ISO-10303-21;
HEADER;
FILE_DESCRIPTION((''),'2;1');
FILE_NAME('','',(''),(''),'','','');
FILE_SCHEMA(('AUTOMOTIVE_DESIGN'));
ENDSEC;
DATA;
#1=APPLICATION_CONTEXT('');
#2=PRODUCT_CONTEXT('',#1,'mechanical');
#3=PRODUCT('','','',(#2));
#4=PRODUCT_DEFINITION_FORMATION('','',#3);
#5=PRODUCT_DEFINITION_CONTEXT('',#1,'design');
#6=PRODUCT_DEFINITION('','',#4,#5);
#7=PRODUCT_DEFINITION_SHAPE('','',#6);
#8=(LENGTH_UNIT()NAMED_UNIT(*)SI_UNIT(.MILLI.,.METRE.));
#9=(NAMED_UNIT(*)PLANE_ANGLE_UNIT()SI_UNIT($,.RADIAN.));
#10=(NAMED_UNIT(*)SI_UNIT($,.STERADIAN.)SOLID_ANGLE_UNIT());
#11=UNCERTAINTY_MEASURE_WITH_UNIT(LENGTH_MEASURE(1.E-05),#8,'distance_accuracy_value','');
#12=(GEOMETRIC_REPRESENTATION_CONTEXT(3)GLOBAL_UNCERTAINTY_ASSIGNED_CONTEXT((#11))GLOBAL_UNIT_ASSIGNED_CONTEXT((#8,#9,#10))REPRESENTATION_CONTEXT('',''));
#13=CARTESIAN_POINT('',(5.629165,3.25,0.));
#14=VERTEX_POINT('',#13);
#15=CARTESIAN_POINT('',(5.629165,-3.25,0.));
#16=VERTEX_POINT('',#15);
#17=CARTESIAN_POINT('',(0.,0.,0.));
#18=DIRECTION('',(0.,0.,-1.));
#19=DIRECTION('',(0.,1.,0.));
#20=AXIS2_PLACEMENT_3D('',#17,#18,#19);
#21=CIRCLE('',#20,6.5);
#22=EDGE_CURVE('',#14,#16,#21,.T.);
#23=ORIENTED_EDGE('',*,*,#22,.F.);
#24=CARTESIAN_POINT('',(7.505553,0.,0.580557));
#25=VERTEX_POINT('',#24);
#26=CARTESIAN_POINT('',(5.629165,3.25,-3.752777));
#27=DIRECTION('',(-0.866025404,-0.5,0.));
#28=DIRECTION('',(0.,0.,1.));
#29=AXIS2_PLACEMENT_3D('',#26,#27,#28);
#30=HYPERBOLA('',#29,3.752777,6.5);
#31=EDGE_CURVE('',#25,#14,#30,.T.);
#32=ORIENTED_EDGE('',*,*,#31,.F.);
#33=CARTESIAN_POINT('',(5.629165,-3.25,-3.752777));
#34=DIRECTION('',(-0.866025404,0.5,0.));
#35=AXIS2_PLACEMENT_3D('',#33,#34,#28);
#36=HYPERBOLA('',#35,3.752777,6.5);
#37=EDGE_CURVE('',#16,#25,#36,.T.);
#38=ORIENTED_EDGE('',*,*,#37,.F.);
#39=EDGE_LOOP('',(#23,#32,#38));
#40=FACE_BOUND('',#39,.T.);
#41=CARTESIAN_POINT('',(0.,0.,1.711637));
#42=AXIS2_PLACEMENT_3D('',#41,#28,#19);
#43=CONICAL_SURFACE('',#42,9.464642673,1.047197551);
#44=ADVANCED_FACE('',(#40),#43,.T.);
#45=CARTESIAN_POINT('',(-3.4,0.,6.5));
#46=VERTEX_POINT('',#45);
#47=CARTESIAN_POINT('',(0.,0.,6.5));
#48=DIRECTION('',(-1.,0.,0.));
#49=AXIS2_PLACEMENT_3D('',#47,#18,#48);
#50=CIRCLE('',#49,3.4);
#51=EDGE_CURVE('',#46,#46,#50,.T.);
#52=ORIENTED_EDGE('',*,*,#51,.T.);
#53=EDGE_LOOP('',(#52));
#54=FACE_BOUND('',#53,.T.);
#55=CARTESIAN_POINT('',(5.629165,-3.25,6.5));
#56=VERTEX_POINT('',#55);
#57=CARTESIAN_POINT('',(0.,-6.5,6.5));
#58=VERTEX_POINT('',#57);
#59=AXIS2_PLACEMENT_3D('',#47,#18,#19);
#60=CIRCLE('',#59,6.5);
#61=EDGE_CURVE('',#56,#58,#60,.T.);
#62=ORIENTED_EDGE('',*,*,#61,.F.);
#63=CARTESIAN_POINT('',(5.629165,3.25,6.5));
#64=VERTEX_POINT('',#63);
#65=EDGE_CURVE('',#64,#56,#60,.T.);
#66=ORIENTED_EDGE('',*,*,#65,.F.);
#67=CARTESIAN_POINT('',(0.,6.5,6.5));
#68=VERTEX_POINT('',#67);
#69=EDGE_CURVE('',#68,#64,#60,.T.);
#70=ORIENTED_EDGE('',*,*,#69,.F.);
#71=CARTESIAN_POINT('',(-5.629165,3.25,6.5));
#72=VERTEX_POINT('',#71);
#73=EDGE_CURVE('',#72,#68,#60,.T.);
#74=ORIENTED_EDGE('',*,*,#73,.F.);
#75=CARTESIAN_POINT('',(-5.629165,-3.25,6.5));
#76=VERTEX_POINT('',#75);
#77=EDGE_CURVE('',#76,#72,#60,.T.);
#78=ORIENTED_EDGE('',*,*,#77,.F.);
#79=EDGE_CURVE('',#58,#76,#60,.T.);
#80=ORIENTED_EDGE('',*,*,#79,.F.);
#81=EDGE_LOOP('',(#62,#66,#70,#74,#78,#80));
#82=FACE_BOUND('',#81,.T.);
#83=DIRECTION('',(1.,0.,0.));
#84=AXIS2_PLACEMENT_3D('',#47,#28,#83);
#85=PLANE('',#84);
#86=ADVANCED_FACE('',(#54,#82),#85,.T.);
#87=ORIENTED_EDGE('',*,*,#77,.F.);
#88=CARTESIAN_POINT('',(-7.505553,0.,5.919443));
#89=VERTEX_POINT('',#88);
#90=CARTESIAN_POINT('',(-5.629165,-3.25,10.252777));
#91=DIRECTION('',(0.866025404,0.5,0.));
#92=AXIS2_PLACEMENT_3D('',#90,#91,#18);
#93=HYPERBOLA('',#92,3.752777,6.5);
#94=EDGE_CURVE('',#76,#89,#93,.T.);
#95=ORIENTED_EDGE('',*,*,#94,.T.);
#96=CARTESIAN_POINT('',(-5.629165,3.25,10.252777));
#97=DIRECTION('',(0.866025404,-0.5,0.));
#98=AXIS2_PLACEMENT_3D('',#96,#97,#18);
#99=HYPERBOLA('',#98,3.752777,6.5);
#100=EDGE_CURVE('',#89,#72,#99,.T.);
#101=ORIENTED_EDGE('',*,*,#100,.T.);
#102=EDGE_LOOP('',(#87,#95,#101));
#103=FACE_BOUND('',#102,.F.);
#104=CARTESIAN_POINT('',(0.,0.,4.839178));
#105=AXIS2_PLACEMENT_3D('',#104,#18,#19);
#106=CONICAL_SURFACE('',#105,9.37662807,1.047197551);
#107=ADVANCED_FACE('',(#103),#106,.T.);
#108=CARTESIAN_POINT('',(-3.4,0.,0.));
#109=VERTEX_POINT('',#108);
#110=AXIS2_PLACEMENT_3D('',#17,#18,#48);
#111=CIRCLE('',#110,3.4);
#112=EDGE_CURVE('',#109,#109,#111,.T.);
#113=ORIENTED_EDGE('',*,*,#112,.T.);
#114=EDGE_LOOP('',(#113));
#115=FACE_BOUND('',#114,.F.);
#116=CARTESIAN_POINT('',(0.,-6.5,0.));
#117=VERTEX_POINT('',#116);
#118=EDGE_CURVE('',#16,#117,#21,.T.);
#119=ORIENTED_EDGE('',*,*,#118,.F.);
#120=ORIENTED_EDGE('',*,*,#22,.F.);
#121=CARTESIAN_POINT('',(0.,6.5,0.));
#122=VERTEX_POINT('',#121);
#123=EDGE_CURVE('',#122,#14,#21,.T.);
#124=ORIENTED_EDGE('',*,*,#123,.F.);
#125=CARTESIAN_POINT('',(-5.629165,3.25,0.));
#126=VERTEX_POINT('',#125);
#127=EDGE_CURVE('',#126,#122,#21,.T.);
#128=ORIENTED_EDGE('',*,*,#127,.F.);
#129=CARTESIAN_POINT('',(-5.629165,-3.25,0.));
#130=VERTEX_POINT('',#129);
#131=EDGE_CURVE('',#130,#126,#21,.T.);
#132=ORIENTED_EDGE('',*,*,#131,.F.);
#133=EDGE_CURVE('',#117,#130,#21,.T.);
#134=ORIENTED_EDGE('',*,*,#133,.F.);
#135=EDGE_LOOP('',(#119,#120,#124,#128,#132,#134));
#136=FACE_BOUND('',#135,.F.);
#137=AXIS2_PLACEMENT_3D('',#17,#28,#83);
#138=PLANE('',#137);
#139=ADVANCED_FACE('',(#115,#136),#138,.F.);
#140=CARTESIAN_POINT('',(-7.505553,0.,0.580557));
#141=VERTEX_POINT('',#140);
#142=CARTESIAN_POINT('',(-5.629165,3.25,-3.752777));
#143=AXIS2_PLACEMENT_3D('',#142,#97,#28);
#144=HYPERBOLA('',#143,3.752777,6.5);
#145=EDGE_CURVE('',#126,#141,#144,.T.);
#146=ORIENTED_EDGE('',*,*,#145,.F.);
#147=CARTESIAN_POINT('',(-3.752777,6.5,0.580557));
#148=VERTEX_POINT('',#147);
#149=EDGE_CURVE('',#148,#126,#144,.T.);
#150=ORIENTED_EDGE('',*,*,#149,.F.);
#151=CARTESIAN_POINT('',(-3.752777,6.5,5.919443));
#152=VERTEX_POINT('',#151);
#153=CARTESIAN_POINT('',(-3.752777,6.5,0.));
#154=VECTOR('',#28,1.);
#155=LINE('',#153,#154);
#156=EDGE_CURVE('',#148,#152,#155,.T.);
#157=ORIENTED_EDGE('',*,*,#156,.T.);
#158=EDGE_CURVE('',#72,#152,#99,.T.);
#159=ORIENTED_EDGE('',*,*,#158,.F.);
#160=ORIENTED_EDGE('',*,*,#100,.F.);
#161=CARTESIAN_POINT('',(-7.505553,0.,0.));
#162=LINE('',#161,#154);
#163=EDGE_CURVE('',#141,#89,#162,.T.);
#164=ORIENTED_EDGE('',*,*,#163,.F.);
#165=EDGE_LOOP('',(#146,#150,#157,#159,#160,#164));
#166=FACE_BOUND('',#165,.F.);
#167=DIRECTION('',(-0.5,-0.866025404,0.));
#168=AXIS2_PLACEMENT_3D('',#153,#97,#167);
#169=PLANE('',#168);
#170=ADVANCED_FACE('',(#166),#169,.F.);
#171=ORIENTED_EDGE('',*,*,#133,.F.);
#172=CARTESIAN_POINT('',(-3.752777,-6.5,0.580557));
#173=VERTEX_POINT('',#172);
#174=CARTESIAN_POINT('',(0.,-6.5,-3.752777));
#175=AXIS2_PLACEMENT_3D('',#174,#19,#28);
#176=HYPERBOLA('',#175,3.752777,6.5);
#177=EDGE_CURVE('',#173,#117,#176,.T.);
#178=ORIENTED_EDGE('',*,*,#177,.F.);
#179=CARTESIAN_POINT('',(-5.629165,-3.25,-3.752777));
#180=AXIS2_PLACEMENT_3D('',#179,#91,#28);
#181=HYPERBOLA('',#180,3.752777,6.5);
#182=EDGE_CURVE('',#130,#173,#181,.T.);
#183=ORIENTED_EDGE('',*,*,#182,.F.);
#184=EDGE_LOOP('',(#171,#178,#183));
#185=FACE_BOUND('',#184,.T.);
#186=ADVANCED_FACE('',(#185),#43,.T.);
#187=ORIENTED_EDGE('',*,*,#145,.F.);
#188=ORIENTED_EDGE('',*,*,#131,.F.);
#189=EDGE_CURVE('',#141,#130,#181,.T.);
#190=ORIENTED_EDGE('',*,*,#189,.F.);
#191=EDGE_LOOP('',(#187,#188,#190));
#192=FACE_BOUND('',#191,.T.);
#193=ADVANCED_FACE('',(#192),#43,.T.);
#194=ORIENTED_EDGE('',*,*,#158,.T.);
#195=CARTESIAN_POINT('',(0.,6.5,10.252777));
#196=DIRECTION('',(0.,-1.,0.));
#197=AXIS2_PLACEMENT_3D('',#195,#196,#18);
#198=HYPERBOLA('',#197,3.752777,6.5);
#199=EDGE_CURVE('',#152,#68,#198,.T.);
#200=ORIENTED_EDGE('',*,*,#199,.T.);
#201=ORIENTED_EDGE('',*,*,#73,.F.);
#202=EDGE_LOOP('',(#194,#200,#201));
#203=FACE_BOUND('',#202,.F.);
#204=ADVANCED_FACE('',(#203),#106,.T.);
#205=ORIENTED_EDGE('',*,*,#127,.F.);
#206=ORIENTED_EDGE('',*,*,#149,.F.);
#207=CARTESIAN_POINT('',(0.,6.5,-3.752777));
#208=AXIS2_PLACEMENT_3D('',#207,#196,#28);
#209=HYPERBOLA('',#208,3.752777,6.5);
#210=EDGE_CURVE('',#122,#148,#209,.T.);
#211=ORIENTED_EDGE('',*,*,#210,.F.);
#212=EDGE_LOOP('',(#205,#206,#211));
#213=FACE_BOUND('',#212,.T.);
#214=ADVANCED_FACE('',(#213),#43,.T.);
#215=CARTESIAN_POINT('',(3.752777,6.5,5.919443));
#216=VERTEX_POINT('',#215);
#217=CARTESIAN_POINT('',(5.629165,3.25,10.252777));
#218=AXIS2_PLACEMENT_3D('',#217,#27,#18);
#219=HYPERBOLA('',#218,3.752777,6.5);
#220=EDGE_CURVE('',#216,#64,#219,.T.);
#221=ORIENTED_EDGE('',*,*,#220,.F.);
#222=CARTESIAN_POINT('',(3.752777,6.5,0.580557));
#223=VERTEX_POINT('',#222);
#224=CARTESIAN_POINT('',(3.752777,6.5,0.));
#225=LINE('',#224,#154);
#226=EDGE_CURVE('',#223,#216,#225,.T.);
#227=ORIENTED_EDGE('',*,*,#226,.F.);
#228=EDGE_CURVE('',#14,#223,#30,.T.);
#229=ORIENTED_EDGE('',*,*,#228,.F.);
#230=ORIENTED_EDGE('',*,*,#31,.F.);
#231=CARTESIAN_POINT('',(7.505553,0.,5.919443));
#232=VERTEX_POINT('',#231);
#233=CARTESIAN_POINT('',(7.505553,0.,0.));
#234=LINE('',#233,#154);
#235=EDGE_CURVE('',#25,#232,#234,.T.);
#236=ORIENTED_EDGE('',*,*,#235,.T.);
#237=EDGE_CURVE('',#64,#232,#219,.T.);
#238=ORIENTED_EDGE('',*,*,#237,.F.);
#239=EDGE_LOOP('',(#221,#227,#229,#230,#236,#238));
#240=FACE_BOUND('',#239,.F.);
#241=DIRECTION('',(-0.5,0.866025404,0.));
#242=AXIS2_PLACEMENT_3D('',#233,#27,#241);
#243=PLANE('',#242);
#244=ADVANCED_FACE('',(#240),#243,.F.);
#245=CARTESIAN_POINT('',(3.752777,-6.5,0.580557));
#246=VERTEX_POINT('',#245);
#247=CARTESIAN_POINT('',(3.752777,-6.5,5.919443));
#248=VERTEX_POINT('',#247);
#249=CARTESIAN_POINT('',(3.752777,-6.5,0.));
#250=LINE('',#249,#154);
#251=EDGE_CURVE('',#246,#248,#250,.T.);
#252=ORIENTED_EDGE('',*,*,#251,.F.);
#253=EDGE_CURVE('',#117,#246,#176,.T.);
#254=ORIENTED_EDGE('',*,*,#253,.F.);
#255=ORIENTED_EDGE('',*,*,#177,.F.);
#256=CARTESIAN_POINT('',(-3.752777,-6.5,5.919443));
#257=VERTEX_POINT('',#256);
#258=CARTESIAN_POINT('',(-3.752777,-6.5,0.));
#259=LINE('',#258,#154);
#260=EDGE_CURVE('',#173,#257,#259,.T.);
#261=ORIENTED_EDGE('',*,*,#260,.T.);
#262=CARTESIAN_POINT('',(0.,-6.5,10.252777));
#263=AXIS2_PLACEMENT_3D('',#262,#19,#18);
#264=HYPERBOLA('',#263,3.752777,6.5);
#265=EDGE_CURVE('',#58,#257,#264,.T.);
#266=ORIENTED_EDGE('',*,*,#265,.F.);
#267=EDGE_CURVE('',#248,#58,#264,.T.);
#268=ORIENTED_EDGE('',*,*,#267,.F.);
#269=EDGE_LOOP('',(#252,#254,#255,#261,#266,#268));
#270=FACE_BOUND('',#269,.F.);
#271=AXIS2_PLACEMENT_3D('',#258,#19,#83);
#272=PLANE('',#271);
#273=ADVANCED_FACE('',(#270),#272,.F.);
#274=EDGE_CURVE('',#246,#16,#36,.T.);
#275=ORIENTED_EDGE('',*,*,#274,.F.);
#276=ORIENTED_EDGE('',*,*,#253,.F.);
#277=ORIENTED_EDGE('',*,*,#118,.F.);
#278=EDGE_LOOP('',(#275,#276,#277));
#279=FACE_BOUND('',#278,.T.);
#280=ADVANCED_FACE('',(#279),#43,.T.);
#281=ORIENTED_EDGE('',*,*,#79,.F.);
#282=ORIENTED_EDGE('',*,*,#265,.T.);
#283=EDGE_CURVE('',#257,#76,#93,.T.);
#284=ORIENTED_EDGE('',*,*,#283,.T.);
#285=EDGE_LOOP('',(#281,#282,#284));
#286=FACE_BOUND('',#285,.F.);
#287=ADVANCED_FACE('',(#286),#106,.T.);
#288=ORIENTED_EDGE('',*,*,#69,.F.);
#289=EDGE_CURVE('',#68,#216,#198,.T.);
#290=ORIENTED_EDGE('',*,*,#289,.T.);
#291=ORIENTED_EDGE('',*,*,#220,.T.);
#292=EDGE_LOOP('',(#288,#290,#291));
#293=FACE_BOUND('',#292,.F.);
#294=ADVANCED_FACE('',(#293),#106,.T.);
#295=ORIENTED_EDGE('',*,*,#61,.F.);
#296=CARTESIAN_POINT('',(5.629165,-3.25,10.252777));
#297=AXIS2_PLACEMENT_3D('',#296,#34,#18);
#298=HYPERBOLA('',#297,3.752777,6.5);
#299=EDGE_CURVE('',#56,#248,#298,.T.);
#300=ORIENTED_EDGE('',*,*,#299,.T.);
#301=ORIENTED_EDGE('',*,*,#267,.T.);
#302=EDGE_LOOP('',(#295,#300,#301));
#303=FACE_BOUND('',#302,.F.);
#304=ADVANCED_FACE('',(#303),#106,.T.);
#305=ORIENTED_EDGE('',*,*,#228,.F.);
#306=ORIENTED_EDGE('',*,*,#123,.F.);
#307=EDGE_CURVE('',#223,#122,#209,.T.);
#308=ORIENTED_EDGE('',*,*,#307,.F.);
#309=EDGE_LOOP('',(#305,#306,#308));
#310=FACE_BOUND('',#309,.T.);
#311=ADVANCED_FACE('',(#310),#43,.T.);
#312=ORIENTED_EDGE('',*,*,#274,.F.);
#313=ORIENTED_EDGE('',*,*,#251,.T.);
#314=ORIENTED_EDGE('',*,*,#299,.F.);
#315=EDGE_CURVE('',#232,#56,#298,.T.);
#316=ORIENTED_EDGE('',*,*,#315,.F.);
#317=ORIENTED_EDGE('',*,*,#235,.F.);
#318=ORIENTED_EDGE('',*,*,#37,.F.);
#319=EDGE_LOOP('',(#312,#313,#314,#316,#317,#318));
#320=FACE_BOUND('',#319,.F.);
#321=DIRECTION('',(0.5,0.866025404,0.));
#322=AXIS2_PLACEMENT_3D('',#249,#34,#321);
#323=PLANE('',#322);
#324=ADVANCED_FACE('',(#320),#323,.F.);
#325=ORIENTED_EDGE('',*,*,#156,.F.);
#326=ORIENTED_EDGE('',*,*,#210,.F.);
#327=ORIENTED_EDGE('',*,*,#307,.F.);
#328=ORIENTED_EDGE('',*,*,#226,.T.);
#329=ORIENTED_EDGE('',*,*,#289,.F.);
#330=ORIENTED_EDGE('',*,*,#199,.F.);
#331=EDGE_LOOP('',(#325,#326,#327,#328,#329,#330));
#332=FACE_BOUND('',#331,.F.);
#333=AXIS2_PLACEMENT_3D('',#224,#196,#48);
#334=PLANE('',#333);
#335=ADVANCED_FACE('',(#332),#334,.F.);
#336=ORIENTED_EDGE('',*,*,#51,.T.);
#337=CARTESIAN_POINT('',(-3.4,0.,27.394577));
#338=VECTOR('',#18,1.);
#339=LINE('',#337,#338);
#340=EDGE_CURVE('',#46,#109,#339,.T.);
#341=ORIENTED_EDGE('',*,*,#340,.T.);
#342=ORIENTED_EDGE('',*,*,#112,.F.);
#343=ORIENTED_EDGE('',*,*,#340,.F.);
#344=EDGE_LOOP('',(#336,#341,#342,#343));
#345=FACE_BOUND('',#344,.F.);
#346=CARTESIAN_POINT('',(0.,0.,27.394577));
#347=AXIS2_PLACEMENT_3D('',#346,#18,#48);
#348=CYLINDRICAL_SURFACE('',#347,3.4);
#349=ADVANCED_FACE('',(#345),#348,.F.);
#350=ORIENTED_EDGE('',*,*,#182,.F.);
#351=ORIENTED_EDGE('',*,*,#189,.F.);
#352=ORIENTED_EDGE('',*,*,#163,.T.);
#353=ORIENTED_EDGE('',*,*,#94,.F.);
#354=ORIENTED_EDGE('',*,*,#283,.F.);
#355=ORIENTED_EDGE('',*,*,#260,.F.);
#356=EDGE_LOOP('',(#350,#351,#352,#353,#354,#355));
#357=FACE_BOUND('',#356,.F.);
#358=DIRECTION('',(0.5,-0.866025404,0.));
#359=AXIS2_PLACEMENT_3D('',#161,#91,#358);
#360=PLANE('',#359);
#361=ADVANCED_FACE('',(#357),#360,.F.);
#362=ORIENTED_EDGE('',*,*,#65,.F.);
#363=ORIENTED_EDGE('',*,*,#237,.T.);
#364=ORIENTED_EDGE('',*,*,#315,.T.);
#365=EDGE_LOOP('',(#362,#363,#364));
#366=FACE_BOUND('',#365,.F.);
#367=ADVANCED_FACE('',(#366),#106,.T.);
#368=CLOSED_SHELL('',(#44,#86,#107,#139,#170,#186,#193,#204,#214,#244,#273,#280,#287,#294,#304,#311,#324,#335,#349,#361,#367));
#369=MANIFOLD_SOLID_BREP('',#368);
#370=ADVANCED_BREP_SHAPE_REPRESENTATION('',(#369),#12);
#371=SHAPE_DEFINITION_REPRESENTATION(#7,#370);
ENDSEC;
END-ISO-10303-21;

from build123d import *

# Parameters (mm, degrees)
BOSS_EXTRUDE1_DEPTH = 6.5
M8_TAPPED_HOLE1_D   = 6.8


with BuildPart() as part:
    # Sketch1 → Boss-Extrude1 (new body)
    with BuildSketch(Plane.XY):
        Polygon((3.75277675, -6.5), (7.505553499, 0), (3.75277675, 6.5), (-3.75277675, 6.5), (-7.505553499, 0), (-3.75277675, -6.5), align=None)
    extrude(amount=BOSS_EXTRUDE1_DEPTH)

    # Sketch3 → Cut-Revolve1 (revolve, cut)
    with BuildSketch(Plane(origin=(0, 0, 0), x_dir=(0, 0, -1), z_dir=(1, 0, 0))):
        Polygon((-1.711637245, 9.464642673), (0, 6.5), (0, 9.464642673), align=None)
        Polygon((-6.5, 6.5), (-6.5, 9.37662807), (-4.839178009, 9.37662807), align=None)
    revolve(axis=Axis((0, 0, 0), (0, 0, -1)), mode=Mode.SUBTRACT)

    # M8 Tapped Hole1 (through all)
    with Locations(Plane.XY.offset(6.5)):
        with Locations((0, 0)):
            Hole(M8_TAPPED_HOLE1_D / 2)


solid = part.part
